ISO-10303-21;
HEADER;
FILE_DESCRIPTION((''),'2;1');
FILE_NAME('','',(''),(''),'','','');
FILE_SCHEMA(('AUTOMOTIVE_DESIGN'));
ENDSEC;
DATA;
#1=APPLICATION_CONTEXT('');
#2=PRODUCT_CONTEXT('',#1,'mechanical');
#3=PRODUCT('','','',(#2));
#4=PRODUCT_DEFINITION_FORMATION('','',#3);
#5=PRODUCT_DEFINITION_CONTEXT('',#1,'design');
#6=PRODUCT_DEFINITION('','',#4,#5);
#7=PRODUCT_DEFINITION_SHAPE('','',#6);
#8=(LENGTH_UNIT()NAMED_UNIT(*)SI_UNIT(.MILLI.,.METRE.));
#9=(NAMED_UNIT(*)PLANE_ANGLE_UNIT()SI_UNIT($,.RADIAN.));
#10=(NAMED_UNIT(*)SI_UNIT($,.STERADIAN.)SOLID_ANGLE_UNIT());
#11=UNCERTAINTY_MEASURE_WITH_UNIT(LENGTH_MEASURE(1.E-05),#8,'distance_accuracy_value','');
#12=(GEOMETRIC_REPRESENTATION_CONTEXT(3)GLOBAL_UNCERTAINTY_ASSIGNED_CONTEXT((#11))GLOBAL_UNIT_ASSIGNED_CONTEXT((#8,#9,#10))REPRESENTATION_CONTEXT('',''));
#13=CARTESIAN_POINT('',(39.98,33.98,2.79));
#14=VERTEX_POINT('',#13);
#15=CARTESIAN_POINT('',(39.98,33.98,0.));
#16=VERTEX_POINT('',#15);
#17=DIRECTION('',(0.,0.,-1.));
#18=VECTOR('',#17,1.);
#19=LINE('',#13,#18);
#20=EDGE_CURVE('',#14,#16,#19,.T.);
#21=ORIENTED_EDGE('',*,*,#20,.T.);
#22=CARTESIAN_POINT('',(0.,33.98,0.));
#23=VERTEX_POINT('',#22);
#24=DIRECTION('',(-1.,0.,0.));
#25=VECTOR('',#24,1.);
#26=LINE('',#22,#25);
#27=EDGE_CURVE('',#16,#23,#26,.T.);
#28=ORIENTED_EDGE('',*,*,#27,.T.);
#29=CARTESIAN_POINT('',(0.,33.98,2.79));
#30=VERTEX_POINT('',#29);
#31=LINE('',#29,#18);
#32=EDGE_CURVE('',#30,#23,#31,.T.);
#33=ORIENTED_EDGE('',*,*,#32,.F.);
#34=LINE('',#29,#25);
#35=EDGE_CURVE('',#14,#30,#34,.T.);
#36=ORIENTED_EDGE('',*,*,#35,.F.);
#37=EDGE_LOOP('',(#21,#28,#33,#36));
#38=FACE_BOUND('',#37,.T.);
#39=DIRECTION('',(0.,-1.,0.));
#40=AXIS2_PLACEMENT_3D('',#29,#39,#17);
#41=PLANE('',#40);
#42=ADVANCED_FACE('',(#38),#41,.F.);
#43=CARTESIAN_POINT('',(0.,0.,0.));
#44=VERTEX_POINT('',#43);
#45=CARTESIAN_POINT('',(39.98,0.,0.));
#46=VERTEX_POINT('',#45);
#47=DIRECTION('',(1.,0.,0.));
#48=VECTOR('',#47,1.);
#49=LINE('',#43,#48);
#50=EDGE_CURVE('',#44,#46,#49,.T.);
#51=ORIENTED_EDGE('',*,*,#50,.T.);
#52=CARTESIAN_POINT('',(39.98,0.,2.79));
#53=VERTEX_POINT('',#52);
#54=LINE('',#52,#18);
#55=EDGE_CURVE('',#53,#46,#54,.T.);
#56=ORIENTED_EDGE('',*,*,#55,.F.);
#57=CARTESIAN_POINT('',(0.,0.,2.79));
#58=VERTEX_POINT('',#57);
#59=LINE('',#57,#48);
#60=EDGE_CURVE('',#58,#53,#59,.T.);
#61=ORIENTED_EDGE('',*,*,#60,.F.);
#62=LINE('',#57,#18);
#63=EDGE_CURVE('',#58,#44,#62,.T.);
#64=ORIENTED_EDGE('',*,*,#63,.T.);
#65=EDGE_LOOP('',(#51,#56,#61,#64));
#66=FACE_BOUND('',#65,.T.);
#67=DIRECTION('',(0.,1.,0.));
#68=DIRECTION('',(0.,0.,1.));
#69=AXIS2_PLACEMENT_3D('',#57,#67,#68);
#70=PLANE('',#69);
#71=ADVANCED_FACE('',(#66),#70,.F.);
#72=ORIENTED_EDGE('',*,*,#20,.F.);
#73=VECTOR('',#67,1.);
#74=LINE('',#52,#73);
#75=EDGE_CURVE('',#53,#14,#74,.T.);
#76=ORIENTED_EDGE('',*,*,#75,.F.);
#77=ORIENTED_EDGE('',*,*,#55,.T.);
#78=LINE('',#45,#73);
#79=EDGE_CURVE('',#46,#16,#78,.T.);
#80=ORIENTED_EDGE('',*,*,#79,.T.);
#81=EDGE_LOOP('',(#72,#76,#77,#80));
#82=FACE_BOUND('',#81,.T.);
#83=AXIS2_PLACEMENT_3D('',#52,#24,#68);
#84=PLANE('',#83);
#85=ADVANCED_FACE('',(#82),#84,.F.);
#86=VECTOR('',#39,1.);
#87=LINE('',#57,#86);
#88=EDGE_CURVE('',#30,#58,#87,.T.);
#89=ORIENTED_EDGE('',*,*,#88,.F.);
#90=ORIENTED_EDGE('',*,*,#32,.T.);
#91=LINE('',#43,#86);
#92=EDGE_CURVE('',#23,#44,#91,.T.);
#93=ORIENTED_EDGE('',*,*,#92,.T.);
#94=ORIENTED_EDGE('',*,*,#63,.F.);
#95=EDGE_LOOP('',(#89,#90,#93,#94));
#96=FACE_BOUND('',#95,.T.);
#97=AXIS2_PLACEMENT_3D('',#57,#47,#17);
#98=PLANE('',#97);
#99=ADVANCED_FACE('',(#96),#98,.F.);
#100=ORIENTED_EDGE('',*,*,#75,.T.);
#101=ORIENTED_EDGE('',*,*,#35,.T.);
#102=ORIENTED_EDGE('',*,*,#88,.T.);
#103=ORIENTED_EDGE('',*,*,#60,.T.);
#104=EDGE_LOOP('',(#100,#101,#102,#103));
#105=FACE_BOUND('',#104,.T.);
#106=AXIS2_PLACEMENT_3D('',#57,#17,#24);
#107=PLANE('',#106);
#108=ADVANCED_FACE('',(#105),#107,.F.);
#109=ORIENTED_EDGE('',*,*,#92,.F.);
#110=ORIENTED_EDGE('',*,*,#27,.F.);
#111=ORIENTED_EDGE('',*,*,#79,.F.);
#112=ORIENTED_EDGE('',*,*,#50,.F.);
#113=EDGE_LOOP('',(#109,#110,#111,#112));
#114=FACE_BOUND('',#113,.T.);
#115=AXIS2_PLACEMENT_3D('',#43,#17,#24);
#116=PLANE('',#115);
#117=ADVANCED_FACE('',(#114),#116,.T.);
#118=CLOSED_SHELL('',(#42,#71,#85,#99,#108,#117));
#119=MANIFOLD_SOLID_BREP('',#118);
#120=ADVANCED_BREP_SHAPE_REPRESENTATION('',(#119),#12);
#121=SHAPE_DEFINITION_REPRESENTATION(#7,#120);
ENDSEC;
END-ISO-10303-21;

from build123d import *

# Parameters (mm, degrees)
ESBO_O1_W                = 39.98
ESBO_O1_H                = 33.98
RESSALTO_EXTRUS_O1_DEPTH = 2.79


with BuildPart() as part:
    # Esboço1 → Ressalto-extrusão1 (new body)
    with BuildSketch(Plane.XY):
        with Locations((19.99, 16.99)):
            Rectangle(ESBO_O1_W, ESBO_O1_H)
    extrude(amount=RESSALTO_EXTRUS_O1_DEPTH)


solid = part.part
